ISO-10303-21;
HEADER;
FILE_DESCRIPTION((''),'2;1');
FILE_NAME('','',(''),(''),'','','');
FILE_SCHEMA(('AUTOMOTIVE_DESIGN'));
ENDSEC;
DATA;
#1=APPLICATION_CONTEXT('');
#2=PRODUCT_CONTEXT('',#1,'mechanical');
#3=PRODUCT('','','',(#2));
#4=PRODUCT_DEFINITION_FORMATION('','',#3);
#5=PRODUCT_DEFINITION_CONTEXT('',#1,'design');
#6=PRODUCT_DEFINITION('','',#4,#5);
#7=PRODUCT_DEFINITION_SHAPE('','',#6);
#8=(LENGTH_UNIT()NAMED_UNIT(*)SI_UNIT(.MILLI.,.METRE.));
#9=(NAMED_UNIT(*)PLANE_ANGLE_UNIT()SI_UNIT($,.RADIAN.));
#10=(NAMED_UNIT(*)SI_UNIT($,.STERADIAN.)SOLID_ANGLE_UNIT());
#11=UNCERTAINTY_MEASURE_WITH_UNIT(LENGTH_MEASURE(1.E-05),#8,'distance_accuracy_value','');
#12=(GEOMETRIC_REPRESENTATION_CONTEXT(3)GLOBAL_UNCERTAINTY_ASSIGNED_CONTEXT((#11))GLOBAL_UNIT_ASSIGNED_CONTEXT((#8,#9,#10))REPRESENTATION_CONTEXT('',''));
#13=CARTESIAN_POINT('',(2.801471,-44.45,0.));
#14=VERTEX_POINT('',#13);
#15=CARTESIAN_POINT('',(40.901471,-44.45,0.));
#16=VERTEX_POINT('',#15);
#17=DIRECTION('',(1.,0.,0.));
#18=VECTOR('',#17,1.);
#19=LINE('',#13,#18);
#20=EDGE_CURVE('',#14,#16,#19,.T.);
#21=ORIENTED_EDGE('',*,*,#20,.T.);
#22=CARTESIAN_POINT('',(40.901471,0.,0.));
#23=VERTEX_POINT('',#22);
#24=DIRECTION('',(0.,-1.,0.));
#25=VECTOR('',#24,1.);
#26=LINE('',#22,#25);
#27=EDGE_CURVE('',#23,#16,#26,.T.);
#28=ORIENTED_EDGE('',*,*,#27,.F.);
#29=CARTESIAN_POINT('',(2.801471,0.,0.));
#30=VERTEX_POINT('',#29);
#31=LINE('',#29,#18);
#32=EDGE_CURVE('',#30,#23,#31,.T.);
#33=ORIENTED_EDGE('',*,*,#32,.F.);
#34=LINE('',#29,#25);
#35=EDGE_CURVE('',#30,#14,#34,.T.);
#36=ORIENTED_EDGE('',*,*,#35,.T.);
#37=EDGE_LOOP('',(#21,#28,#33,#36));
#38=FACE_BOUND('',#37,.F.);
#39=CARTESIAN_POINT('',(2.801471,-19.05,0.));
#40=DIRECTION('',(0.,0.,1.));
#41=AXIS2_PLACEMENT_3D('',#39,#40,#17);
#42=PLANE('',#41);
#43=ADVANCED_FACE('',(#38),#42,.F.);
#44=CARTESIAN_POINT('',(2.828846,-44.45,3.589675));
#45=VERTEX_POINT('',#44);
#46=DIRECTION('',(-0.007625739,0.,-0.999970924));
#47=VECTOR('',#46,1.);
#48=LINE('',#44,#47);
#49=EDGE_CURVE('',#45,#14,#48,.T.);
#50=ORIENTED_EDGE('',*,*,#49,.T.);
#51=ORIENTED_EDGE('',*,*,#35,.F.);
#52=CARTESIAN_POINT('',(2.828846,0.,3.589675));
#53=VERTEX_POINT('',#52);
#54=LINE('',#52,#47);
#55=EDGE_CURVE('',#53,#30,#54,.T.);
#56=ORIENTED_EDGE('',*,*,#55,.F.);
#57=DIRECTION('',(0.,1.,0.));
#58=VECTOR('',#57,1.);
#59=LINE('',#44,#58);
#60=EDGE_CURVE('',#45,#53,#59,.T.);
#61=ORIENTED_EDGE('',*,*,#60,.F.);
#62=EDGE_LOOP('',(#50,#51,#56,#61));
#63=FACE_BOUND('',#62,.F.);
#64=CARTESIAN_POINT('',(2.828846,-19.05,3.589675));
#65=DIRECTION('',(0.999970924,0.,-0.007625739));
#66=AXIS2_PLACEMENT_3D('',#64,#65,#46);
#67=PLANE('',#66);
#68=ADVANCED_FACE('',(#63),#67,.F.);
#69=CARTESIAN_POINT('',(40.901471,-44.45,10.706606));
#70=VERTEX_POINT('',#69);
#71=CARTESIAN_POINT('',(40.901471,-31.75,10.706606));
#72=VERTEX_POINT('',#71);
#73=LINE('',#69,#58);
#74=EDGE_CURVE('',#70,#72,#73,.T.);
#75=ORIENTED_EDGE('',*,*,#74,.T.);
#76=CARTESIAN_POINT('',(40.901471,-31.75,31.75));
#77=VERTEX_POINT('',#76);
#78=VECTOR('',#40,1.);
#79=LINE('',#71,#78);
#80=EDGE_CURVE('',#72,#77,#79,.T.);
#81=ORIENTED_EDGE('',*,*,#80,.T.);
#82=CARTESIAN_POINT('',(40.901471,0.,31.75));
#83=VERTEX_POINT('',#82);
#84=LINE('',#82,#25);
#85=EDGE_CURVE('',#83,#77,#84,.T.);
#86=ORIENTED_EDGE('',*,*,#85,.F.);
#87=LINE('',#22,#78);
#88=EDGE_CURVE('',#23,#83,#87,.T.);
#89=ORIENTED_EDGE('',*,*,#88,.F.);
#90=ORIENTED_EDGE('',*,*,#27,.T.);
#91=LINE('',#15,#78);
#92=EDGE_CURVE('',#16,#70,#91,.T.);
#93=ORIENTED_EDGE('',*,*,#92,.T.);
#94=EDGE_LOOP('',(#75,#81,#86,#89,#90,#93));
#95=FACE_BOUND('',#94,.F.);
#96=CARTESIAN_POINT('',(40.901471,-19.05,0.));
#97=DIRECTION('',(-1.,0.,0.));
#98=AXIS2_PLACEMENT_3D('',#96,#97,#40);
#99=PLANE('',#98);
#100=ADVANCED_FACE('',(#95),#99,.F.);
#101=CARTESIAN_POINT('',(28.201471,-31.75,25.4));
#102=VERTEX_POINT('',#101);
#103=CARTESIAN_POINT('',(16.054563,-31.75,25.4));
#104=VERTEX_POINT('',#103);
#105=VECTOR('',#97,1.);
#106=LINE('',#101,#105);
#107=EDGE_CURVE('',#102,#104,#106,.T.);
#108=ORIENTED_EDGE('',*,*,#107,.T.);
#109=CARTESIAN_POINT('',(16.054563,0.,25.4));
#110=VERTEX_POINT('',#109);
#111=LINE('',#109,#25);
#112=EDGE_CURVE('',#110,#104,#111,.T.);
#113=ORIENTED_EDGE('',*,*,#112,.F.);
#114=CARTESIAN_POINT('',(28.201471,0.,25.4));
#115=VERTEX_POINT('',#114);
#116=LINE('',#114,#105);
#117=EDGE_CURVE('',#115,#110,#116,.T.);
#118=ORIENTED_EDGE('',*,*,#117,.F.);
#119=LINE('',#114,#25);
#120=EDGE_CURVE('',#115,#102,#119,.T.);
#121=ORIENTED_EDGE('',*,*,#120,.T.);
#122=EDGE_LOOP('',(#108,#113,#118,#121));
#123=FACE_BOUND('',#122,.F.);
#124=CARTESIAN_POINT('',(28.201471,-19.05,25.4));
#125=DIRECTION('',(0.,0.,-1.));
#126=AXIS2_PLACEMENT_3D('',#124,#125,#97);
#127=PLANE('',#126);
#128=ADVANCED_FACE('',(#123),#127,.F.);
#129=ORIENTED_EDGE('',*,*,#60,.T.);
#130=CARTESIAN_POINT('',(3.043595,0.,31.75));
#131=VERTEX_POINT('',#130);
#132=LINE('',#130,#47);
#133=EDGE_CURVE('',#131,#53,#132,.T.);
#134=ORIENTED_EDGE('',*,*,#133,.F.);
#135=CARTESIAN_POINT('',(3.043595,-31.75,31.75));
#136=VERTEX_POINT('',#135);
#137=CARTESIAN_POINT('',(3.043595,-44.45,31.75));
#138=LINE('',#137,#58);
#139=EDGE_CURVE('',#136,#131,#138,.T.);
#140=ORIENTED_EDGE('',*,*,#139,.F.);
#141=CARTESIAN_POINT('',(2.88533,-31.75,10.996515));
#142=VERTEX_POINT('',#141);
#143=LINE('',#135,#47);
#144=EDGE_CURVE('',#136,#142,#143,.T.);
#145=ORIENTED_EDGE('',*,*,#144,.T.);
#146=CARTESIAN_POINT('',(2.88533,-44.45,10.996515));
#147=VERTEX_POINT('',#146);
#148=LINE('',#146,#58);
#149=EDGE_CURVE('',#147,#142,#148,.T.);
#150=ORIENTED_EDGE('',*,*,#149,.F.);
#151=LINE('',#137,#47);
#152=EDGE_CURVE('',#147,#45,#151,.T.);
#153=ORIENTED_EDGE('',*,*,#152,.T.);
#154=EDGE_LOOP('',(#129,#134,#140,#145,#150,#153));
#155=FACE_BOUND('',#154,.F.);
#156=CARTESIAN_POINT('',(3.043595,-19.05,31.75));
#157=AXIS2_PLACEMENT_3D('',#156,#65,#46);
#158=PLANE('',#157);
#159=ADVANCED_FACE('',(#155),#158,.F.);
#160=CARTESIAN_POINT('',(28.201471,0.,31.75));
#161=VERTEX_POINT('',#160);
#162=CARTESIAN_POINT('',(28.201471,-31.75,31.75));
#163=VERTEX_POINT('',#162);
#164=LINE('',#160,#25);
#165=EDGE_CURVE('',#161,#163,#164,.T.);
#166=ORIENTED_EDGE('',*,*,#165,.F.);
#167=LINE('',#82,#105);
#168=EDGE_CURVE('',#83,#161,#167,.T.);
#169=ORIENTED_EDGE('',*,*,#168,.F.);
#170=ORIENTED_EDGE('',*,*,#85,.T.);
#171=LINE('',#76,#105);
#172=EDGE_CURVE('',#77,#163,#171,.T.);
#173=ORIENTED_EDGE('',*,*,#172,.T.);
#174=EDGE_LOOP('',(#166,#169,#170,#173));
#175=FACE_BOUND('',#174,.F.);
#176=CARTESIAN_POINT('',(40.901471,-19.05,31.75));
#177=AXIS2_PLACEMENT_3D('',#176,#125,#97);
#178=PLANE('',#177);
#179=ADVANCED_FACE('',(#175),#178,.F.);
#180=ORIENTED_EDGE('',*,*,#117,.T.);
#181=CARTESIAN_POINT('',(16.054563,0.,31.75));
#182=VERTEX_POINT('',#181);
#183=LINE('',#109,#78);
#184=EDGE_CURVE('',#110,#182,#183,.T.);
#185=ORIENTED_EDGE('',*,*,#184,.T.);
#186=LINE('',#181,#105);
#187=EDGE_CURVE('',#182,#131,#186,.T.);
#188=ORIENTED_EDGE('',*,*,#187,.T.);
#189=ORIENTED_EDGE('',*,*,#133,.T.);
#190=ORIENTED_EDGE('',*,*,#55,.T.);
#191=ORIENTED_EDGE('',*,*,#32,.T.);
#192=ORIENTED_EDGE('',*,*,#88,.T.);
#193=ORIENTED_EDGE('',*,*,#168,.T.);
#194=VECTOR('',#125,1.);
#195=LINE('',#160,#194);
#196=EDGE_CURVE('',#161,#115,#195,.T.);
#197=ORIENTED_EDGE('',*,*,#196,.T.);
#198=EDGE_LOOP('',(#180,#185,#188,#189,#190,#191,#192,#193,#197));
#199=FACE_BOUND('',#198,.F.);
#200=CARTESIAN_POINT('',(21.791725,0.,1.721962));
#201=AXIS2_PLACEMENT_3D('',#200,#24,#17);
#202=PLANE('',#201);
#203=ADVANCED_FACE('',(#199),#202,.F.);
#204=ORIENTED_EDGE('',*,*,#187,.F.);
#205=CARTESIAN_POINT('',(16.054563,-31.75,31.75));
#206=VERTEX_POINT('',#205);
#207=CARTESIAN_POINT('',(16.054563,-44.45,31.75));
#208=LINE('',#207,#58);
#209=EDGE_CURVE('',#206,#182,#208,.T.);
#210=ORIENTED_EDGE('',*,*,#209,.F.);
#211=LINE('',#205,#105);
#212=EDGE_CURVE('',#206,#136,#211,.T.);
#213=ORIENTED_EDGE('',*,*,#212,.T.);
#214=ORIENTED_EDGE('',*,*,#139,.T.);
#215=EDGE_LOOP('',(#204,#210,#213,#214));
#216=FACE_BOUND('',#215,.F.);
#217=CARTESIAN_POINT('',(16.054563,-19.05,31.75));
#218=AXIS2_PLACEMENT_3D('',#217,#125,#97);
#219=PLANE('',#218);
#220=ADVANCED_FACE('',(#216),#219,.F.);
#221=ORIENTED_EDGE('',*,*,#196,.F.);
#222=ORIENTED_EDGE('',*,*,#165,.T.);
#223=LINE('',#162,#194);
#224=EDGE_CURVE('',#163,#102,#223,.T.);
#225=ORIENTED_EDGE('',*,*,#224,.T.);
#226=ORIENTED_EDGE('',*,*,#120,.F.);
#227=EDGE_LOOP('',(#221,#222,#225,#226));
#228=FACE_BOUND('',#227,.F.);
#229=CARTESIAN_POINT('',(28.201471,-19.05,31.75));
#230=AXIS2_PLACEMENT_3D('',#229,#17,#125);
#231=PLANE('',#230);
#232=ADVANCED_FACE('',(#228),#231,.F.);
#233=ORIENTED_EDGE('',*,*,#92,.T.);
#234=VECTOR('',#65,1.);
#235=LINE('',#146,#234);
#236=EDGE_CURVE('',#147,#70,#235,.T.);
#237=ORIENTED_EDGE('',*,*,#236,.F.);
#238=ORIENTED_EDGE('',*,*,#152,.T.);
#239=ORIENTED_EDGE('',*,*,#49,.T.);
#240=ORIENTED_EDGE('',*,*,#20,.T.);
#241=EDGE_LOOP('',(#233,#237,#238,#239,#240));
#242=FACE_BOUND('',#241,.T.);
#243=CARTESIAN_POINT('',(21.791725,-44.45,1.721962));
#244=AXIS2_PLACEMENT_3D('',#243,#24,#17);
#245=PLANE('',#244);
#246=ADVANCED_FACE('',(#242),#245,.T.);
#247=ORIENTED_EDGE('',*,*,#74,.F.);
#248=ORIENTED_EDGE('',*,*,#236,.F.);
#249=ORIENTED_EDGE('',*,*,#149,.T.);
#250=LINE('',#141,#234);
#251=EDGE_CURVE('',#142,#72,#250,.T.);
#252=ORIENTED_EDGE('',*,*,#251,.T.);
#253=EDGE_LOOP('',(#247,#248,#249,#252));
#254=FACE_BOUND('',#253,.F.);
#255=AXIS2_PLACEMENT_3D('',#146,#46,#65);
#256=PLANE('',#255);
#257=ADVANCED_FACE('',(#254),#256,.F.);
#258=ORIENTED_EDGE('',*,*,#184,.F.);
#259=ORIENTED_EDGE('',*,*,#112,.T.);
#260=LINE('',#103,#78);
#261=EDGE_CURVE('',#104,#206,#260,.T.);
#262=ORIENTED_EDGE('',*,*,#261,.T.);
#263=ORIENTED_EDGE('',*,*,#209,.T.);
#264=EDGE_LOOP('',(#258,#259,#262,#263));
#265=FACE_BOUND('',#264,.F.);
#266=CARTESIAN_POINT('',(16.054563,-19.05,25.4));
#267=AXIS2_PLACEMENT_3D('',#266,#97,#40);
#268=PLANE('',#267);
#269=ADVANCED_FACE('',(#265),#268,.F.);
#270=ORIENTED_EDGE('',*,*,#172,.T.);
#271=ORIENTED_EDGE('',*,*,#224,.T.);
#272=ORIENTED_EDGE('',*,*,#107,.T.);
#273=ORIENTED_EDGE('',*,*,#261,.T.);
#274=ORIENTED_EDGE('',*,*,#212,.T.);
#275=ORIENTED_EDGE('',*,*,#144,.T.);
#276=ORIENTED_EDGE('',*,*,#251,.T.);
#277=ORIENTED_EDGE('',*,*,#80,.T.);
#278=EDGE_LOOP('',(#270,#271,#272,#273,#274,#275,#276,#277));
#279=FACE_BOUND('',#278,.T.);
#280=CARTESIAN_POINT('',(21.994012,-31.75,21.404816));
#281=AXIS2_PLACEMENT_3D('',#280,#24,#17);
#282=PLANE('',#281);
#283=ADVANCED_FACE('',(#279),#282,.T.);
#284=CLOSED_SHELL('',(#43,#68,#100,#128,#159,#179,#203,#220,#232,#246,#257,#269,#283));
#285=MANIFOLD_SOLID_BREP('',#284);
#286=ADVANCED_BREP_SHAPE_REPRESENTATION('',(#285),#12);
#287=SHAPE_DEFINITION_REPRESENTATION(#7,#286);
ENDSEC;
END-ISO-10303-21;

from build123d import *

# Parameters (mm, degrees)
F1_DEPTH = 19.05
F2_DEPTH = 25.4
F3_DEPTH = 25.4
F5_DEPTH = 12.7


with BuildPart() as f1:
    # F0 (on Front) → F1 (new body)
    with BuildSketch(Plane.XZ):
        Polygon((2.828845887, 3.5896749168), (2.8014711667, 0), (40.9014711667, 0), (40.9014711667, 3.2993345685), align=None)
        Polygon((2.9930308781, 25.1194198566), (2.828845887, 3.5896749168), (40.9014711667, 3.2993345685), (40.9014711667, 25.3031502977), (28.2014711667, 25.4), (16.0545626627, 25.4), align=None)
        Polygon((3.0435954224, 31.75), (2.9930308781, 25.1194198566), (16.0545626627, 25.4), (16.0545626627, 31.75), align=None)
        Polygon((28.2014711667, 25.4), (40.9014711667, 25.3031502977), (40.9014711667, 31.75), (28.2014711667, 31.75), align=None)
    extrude(amount=F1_DEPTH)

    # F0 (on Front) → F2 (cut)
    with BuildSketch(Plane.XZ):
        Polygon((2.828845887, 3.5896749168), (2.8014711667, 0), (40.9014711667, 0), (40.9014711667, 3.2993345685), align=None)
        Polygon((2.9930308781, 25.1194198566), (2.828845887, 3.5896749168), (40.9014711667, 3.2993345685), (40.9014711667, 25.3031502977), (28.2014711667, 25.4), (16.0545626627, 25.4), align=None)
        Polygon((3.0435954224, 31.75), (2.9930308781, 25.1194198566), (16.0545626627, 25.4), (16.0545626627, 31.75), align=None)
        Polygon((28.2014711667, 25.4), (40.9014711667, 25.3031502977), (40.9014711667, 31.75), (28.2014711667, 31.75), align=None)
    extrude(amount=-F2_DEPTH, mode=Mode.SUBTRACT)

    # F3 (add): a face of the model
    f3_faces = [f1.faces().sort_by_distance(p)[0] for p in [
        (21.8971715309, -19.05, 14.989088292),
    ]]
    extrude(f3_faces, amount=F3_DEPTH)

    # F4 (on face) → F5 (cut)
    with BuildSketch(Plane.XZ.offset(44.45)):
        Polygon((3.0435954224, 31.75), (2.8853301618, 10.9965153512), (40.9014711667, 10.7066057497), (40.9014711667, 31.75), (28.2014711667, 31.75), (28.2014711667, 25.4), (16.0545626627, 25.4), (16.0545626627, 31.75), align=None)
    extrude(amount=-F5_DEPTH, mode=Mode.SUBTRACT)


solid = f1.part
